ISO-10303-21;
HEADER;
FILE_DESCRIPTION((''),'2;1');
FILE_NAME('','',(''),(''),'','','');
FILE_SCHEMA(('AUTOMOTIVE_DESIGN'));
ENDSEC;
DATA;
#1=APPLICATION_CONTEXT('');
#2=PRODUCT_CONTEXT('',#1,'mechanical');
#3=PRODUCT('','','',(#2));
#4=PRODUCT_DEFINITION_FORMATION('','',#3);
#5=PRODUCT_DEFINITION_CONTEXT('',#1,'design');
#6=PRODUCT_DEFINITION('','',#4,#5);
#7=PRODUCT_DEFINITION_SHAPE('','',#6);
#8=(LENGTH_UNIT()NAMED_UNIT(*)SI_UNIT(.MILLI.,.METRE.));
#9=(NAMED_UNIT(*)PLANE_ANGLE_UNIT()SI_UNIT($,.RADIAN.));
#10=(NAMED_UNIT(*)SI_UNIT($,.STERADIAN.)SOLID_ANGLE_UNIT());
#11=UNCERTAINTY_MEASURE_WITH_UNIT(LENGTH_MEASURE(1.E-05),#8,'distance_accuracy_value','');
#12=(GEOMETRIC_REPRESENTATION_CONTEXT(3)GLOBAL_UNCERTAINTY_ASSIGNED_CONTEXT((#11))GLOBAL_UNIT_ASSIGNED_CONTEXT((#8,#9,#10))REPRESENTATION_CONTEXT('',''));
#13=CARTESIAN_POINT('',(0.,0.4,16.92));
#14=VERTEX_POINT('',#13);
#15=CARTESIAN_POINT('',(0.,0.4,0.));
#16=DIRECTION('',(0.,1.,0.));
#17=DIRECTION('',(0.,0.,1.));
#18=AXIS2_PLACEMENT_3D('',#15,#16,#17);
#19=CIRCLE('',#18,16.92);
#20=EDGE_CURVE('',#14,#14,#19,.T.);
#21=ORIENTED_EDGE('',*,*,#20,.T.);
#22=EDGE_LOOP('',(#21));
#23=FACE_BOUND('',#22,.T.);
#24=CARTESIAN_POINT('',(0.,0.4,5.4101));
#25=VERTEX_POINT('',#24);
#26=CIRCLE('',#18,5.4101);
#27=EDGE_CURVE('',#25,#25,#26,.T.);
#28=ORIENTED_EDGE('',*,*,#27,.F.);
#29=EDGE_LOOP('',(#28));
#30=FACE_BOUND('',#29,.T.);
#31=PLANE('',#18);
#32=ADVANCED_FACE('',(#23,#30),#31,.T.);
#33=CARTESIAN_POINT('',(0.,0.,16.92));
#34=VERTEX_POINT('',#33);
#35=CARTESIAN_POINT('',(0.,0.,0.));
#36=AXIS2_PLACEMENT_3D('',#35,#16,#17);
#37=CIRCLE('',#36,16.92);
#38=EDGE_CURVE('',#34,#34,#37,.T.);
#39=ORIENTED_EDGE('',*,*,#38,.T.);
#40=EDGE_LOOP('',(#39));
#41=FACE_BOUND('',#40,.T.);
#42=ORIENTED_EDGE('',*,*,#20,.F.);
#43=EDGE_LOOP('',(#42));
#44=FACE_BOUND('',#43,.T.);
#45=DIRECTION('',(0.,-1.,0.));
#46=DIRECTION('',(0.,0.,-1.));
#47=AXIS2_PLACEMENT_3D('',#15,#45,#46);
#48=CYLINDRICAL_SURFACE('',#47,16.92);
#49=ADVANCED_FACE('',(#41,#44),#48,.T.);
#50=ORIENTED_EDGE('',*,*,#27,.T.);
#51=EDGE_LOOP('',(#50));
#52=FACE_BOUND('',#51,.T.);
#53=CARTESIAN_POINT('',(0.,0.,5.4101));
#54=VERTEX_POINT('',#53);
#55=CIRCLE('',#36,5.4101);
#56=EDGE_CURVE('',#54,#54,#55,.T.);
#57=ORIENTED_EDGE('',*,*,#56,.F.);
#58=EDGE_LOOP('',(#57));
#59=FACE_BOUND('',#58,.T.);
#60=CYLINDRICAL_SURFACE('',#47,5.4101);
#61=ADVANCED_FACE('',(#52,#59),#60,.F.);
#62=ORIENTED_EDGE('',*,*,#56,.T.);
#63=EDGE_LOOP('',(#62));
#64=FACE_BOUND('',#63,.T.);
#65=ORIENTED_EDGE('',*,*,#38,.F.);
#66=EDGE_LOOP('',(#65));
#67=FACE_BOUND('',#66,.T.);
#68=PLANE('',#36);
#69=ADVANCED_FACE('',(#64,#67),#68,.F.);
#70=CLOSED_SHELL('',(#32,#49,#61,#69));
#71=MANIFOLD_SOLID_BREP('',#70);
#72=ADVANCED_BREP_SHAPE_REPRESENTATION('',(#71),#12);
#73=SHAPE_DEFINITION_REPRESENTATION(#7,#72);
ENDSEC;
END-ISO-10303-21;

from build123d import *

# Parameters (mm, degrees)
SKETCH1_R           = 16.92
SKETCH1_R_2         = 5.4101
BOSS_EXTRUDE1_DEPTH = 0.4


with BuildPart() as part:
    # Sketch1 → Boss-Extrude1 (new body)
    with BuildSketch(Plane(origin=(0, 0, 0), x_dir=(1, 0, 0), z_dir=(0, 1, 0))):
        with Locations(Location((0, 0, 0), (0, 0, 270))):
            Circle(SKETCH1_R)
        with Locations(Location((0, 0, 0), (0, 0, 270))):
            Circle(SKETCH1_R_2, mode=Mode.SUBTRACT)
    extrude(amount=BOSS_EXTRUDE1_DEPTH)


solid = part.part
